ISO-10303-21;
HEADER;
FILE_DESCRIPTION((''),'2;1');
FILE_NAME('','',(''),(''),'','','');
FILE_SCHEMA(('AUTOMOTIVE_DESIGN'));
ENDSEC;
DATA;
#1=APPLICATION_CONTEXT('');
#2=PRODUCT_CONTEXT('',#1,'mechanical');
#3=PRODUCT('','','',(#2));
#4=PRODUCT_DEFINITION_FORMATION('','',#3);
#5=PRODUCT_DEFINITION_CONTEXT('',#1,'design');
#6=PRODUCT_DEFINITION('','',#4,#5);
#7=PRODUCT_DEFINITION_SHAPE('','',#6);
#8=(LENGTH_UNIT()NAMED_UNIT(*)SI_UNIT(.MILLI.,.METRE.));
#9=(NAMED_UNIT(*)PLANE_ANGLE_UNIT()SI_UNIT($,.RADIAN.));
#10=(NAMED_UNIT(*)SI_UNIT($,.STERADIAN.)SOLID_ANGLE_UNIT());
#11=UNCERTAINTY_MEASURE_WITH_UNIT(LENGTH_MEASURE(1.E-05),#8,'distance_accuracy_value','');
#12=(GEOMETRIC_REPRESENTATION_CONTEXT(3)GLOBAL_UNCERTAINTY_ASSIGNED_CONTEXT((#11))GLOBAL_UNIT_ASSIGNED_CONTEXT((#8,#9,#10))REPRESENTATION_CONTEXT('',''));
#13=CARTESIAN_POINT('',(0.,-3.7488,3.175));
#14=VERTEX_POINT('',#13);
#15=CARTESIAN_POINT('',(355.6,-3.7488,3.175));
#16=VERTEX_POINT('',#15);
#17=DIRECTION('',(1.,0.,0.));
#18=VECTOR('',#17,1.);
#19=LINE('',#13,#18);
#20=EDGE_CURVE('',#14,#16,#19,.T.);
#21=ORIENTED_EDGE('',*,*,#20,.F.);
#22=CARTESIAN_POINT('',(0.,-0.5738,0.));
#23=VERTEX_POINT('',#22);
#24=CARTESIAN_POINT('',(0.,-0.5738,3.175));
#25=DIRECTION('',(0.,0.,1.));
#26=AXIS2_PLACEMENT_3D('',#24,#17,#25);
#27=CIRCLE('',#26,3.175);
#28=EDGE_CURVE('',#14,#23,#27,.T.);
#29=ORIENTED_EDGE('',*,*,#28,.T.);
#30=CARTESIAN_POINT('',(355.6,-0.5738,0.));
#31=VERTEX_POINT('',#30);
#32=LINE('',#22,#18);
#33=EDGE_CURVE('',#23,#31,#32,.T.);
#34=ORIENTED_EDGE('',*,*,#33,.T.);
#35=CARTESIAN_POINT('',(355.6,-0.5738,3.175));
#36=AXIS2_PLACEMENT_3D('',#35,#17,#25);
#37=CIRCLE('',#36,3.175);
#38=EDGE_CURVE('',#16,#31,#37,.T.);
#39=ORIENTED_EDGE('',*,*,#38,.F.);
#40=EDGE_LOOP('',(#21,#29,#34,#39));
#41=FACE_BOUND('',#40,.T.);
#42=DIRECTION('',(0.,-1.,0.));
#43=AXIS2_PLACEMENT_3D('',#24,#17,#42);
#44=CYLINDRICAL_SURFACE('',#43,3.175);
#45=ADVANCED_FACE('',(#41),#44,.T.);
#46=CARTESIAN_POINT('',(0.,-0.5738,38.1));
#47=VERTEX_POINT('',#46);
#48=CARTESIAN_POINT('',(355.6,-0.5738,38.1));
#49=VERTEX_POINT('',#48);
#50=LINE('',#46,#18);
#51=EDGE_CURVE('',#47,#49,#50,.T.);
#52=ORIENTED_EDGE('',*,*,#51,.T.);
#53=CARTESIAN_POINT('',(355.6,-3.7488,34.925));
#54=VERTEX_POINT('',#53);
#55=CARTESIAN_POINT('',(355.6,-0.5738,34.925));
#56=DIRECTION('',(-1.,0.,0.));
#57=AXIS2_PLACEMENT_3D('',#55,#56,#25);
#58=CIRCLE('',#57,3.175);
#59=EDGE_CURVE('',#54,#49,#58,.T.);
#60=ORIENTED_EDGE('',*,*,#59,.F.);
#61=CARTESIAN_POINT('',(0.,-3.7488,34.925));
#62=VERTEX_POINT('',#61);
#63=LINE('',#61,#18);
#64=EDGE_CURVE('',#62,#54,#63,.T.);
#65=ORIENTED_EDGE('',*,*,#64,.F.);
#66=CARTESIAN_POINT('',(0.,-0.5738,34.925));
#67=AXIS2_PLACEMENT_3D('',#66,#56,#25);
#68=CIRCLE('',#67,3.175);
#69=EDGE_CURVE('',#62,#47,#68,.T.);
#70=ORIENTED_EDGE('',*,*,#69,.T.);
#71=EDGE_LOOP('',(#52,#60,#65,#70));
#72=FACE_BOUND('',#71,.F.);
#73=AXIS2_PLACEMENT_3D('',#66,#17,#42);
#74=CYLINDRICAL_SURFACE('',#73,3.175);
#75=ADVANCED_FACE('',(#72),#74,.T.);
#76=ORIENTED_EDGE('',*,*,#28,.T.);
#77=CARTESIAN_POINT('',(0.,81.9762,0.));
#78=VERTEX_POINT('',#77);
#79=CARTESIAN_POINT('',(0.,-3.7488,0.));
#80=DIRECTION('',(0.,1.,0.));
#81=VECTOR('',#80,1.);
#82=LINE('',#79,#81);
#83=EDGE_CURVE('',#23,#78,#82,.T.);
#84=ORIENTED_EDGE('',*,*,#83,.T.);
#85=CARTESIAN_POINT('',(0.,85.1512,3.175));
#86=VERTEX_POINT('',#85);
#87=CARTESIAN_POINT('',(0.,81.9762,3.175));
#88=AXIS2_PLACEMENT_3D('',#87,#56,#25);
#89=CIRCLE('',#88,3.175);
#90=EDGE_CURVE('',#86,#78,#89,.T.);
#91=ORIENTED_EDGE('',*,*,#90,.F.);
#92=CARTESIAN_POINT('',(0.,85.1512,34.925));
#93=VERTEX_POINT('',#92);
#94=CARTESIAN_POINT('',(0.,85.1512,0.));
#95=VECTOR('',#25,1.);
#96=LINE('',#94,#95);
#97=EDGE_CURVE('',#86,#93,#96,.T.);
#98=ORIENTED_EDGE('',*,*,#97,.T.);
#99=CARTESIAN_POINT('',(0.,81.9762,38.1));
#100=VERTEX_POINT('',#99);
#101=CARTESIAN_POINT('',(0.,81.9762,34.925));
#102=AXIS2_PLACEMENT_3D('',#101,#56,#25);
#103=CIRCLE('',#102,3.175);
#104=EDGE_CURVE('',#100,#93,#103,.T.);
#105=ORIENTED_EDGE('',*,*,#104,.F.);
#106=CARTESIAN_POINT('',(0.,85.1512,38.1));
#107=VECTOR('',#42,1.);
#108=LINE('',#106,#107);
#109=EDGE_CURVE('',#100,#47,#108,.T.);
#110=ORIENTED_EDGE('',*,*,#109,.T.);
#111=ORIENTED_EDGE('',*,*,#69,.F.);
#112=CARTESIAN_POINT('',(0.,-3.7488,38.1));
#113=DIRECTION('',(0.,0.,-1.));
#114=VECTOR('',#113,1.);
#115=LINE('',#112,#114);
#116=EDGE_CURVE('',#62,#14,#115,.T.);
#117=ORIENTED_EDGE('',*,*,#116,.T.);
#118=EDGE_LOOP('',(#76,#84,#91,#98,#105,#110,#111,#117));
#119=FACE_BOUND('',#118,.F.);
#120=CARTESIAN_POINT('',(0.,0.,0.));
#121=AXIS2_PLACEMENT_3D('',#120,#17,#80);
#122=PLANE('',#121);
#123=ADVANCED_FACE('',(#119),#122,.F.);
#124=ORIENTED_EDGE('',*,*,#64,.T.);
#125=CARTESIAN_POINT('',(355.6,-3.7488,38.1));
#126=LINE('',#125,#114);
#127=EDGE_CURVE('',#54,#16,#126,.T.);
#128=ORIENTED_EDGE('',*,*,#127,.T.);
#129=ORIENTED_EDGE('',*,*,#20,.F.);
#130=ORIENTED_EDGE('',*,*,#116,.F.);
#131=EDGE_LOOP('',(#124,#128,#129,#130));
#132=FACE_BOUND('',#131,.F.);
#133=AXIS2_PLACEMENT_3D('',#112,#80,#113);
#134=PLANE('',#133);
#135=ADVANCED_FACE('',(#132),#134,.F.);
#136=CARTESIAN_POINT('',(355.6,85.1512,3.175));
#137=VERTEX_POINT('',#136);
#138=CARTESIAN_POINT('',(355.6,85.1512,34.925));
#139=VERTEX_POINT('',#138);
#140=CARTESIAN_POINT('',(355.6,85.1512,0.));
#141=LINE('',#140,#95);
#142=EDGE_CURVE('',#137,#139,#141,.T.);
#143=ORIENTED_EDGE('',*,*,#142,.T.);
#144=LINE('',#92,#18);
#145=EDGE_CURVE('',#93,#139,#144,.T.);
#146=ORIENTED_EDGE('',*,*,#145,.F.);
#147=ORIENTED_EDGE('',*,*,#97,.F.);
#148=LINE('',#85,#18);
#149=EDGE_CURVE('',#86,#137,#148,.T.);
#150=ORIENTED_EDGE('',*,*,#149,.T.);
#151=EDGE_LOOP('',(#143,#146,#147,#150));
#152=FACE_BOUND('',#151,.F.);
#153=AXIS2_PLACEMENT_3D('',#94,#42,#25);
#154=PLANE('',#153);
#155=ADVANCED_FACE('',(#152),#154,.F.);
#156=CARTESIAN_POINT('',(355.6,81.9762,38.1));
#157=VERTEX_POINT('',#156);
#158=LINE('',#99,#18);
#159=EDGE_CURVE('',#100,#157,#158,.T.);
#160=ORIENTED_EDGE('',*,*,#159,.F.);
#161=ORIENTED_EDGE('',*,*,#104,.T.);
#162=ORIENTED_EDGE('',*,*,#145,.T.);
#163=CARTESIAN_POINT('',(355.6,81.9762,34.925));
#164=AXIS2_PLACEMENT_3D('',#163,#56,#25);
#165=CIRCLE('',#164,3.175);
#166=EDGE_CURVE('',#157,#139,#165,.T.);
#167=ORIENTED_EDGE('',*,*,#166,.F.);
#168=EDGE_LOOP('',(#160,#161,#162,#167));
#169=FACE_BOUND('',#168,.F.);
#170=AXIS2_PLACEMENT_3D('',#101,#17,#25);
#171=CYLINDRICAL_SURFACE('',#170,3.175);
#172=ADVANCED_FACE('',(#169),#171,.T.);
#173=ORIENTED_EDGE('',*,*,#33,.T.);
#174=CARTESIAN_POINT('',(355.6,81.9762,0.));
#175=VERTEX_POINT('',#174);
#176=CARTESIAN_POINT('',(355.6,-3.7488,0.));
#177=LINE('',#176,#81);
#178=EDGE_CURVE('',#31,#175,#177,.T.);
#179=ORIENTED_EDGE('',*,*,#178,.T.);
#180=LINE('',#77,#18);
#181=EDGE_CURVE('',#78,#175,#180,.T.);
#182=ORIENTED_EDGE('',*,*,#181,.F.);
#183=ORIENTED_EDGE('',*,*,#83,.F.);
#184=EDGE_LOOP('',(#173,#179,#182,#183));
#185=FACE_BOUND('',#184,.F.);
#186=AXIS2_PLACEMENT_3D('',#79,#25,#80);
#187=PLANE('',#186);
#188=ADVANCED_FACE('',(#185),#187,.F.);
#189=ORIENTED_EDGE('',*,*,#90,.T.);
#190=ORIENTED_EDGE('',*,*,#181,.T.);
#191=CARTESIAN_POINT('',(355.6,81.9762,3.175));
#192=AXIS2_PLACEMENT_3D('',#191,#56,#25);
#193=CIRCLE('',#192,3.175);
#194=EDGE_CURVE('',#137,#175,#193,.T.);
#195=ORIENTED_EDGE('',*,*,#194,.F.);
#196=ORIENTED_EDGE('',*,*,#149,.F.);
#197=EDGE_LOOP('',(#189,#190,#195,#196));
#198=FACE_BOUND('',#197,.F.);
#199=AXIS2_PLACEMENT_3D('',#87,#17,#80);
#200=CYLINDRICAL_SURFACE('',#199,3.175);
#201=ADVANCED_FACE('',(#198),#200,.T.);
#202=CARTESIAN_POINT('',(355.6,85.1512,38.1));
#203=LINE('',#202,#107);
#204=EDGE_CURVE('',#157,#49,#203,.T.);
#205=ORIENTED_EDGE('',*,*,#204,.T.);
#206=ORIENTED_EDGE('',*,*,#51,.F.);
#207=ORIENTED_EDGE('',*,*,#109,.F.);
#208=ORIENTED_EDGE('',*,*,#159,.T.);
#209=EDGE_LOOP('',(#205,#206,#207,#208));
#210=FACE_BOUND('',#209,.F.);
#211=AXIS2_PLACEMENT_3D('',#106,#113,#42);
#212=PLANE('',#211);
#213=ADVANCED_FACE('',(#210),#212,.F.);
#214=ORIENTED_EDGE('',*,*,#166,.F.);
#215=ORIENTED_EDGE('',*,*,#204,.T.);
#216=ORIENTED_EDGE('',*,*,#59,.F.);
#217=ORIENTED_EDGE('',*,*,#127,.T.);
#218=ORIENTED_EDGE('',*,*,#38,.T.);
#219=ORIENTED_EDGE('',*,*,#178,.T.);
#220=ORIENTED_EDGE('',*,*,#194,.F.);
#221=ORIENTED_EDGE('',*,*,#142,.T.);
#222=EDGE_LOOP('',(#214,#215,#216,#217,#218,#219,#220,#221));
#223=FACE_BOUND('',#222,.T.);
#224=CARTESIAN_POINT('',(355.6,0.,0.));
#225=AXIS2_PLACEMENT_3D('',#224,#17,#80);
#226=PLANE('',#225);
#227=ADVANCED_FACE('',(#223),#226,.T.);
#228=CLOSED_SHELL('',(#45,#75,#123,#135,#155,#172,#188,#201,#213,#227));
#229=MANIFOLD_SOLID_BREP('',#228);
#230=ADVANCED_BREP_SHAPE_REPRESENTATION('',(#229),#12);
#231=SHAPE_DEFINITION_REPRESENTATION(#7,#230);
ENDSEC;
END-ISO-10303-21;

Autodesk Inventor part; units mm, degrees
ref_plane "YZ Plane" through (0, 0, 0) normal (1, 0, 0) x (0, 1, 0)
ref_plane "XZ Plane" through (0, 0, 0) normal (0, 1, 0) x (-1, 0, 0)
ref_plane "XY Plane" through (0, 0, 0) normal (0, 0, 1) x (1, 0, 0)
sketch "Sketch1" plane through (0, 0, 0) normal (1, 0, 0) x (0, 1, 0)
  line L0 (-3.7488, 0) -> (85.1512, 0)
  line L1 (85.1512, 0) -> (85.1512, 38.1)
  line L2 (85.1512, 38.1) -> (-3.7488, 38.1)
  line L3 (-3.7488, 38.1) -> (-3.7488, 0)
  point P0 (0, 0)
  dimension "d0" = 88.9
  dimension "d1" = 38.1
extrude "Extrusion1" add sketch "Sketch1" along normal blind 355.6
fillet "Fillet1" radius 3.175 4 edges at (177.8, 85.1512, 38.1) (177.8, 85.1512, 0) (177.8, -3.7488, 0) (177.8, -3.7488, 38.1)
properties part number "2x4x14" material "Ash"
